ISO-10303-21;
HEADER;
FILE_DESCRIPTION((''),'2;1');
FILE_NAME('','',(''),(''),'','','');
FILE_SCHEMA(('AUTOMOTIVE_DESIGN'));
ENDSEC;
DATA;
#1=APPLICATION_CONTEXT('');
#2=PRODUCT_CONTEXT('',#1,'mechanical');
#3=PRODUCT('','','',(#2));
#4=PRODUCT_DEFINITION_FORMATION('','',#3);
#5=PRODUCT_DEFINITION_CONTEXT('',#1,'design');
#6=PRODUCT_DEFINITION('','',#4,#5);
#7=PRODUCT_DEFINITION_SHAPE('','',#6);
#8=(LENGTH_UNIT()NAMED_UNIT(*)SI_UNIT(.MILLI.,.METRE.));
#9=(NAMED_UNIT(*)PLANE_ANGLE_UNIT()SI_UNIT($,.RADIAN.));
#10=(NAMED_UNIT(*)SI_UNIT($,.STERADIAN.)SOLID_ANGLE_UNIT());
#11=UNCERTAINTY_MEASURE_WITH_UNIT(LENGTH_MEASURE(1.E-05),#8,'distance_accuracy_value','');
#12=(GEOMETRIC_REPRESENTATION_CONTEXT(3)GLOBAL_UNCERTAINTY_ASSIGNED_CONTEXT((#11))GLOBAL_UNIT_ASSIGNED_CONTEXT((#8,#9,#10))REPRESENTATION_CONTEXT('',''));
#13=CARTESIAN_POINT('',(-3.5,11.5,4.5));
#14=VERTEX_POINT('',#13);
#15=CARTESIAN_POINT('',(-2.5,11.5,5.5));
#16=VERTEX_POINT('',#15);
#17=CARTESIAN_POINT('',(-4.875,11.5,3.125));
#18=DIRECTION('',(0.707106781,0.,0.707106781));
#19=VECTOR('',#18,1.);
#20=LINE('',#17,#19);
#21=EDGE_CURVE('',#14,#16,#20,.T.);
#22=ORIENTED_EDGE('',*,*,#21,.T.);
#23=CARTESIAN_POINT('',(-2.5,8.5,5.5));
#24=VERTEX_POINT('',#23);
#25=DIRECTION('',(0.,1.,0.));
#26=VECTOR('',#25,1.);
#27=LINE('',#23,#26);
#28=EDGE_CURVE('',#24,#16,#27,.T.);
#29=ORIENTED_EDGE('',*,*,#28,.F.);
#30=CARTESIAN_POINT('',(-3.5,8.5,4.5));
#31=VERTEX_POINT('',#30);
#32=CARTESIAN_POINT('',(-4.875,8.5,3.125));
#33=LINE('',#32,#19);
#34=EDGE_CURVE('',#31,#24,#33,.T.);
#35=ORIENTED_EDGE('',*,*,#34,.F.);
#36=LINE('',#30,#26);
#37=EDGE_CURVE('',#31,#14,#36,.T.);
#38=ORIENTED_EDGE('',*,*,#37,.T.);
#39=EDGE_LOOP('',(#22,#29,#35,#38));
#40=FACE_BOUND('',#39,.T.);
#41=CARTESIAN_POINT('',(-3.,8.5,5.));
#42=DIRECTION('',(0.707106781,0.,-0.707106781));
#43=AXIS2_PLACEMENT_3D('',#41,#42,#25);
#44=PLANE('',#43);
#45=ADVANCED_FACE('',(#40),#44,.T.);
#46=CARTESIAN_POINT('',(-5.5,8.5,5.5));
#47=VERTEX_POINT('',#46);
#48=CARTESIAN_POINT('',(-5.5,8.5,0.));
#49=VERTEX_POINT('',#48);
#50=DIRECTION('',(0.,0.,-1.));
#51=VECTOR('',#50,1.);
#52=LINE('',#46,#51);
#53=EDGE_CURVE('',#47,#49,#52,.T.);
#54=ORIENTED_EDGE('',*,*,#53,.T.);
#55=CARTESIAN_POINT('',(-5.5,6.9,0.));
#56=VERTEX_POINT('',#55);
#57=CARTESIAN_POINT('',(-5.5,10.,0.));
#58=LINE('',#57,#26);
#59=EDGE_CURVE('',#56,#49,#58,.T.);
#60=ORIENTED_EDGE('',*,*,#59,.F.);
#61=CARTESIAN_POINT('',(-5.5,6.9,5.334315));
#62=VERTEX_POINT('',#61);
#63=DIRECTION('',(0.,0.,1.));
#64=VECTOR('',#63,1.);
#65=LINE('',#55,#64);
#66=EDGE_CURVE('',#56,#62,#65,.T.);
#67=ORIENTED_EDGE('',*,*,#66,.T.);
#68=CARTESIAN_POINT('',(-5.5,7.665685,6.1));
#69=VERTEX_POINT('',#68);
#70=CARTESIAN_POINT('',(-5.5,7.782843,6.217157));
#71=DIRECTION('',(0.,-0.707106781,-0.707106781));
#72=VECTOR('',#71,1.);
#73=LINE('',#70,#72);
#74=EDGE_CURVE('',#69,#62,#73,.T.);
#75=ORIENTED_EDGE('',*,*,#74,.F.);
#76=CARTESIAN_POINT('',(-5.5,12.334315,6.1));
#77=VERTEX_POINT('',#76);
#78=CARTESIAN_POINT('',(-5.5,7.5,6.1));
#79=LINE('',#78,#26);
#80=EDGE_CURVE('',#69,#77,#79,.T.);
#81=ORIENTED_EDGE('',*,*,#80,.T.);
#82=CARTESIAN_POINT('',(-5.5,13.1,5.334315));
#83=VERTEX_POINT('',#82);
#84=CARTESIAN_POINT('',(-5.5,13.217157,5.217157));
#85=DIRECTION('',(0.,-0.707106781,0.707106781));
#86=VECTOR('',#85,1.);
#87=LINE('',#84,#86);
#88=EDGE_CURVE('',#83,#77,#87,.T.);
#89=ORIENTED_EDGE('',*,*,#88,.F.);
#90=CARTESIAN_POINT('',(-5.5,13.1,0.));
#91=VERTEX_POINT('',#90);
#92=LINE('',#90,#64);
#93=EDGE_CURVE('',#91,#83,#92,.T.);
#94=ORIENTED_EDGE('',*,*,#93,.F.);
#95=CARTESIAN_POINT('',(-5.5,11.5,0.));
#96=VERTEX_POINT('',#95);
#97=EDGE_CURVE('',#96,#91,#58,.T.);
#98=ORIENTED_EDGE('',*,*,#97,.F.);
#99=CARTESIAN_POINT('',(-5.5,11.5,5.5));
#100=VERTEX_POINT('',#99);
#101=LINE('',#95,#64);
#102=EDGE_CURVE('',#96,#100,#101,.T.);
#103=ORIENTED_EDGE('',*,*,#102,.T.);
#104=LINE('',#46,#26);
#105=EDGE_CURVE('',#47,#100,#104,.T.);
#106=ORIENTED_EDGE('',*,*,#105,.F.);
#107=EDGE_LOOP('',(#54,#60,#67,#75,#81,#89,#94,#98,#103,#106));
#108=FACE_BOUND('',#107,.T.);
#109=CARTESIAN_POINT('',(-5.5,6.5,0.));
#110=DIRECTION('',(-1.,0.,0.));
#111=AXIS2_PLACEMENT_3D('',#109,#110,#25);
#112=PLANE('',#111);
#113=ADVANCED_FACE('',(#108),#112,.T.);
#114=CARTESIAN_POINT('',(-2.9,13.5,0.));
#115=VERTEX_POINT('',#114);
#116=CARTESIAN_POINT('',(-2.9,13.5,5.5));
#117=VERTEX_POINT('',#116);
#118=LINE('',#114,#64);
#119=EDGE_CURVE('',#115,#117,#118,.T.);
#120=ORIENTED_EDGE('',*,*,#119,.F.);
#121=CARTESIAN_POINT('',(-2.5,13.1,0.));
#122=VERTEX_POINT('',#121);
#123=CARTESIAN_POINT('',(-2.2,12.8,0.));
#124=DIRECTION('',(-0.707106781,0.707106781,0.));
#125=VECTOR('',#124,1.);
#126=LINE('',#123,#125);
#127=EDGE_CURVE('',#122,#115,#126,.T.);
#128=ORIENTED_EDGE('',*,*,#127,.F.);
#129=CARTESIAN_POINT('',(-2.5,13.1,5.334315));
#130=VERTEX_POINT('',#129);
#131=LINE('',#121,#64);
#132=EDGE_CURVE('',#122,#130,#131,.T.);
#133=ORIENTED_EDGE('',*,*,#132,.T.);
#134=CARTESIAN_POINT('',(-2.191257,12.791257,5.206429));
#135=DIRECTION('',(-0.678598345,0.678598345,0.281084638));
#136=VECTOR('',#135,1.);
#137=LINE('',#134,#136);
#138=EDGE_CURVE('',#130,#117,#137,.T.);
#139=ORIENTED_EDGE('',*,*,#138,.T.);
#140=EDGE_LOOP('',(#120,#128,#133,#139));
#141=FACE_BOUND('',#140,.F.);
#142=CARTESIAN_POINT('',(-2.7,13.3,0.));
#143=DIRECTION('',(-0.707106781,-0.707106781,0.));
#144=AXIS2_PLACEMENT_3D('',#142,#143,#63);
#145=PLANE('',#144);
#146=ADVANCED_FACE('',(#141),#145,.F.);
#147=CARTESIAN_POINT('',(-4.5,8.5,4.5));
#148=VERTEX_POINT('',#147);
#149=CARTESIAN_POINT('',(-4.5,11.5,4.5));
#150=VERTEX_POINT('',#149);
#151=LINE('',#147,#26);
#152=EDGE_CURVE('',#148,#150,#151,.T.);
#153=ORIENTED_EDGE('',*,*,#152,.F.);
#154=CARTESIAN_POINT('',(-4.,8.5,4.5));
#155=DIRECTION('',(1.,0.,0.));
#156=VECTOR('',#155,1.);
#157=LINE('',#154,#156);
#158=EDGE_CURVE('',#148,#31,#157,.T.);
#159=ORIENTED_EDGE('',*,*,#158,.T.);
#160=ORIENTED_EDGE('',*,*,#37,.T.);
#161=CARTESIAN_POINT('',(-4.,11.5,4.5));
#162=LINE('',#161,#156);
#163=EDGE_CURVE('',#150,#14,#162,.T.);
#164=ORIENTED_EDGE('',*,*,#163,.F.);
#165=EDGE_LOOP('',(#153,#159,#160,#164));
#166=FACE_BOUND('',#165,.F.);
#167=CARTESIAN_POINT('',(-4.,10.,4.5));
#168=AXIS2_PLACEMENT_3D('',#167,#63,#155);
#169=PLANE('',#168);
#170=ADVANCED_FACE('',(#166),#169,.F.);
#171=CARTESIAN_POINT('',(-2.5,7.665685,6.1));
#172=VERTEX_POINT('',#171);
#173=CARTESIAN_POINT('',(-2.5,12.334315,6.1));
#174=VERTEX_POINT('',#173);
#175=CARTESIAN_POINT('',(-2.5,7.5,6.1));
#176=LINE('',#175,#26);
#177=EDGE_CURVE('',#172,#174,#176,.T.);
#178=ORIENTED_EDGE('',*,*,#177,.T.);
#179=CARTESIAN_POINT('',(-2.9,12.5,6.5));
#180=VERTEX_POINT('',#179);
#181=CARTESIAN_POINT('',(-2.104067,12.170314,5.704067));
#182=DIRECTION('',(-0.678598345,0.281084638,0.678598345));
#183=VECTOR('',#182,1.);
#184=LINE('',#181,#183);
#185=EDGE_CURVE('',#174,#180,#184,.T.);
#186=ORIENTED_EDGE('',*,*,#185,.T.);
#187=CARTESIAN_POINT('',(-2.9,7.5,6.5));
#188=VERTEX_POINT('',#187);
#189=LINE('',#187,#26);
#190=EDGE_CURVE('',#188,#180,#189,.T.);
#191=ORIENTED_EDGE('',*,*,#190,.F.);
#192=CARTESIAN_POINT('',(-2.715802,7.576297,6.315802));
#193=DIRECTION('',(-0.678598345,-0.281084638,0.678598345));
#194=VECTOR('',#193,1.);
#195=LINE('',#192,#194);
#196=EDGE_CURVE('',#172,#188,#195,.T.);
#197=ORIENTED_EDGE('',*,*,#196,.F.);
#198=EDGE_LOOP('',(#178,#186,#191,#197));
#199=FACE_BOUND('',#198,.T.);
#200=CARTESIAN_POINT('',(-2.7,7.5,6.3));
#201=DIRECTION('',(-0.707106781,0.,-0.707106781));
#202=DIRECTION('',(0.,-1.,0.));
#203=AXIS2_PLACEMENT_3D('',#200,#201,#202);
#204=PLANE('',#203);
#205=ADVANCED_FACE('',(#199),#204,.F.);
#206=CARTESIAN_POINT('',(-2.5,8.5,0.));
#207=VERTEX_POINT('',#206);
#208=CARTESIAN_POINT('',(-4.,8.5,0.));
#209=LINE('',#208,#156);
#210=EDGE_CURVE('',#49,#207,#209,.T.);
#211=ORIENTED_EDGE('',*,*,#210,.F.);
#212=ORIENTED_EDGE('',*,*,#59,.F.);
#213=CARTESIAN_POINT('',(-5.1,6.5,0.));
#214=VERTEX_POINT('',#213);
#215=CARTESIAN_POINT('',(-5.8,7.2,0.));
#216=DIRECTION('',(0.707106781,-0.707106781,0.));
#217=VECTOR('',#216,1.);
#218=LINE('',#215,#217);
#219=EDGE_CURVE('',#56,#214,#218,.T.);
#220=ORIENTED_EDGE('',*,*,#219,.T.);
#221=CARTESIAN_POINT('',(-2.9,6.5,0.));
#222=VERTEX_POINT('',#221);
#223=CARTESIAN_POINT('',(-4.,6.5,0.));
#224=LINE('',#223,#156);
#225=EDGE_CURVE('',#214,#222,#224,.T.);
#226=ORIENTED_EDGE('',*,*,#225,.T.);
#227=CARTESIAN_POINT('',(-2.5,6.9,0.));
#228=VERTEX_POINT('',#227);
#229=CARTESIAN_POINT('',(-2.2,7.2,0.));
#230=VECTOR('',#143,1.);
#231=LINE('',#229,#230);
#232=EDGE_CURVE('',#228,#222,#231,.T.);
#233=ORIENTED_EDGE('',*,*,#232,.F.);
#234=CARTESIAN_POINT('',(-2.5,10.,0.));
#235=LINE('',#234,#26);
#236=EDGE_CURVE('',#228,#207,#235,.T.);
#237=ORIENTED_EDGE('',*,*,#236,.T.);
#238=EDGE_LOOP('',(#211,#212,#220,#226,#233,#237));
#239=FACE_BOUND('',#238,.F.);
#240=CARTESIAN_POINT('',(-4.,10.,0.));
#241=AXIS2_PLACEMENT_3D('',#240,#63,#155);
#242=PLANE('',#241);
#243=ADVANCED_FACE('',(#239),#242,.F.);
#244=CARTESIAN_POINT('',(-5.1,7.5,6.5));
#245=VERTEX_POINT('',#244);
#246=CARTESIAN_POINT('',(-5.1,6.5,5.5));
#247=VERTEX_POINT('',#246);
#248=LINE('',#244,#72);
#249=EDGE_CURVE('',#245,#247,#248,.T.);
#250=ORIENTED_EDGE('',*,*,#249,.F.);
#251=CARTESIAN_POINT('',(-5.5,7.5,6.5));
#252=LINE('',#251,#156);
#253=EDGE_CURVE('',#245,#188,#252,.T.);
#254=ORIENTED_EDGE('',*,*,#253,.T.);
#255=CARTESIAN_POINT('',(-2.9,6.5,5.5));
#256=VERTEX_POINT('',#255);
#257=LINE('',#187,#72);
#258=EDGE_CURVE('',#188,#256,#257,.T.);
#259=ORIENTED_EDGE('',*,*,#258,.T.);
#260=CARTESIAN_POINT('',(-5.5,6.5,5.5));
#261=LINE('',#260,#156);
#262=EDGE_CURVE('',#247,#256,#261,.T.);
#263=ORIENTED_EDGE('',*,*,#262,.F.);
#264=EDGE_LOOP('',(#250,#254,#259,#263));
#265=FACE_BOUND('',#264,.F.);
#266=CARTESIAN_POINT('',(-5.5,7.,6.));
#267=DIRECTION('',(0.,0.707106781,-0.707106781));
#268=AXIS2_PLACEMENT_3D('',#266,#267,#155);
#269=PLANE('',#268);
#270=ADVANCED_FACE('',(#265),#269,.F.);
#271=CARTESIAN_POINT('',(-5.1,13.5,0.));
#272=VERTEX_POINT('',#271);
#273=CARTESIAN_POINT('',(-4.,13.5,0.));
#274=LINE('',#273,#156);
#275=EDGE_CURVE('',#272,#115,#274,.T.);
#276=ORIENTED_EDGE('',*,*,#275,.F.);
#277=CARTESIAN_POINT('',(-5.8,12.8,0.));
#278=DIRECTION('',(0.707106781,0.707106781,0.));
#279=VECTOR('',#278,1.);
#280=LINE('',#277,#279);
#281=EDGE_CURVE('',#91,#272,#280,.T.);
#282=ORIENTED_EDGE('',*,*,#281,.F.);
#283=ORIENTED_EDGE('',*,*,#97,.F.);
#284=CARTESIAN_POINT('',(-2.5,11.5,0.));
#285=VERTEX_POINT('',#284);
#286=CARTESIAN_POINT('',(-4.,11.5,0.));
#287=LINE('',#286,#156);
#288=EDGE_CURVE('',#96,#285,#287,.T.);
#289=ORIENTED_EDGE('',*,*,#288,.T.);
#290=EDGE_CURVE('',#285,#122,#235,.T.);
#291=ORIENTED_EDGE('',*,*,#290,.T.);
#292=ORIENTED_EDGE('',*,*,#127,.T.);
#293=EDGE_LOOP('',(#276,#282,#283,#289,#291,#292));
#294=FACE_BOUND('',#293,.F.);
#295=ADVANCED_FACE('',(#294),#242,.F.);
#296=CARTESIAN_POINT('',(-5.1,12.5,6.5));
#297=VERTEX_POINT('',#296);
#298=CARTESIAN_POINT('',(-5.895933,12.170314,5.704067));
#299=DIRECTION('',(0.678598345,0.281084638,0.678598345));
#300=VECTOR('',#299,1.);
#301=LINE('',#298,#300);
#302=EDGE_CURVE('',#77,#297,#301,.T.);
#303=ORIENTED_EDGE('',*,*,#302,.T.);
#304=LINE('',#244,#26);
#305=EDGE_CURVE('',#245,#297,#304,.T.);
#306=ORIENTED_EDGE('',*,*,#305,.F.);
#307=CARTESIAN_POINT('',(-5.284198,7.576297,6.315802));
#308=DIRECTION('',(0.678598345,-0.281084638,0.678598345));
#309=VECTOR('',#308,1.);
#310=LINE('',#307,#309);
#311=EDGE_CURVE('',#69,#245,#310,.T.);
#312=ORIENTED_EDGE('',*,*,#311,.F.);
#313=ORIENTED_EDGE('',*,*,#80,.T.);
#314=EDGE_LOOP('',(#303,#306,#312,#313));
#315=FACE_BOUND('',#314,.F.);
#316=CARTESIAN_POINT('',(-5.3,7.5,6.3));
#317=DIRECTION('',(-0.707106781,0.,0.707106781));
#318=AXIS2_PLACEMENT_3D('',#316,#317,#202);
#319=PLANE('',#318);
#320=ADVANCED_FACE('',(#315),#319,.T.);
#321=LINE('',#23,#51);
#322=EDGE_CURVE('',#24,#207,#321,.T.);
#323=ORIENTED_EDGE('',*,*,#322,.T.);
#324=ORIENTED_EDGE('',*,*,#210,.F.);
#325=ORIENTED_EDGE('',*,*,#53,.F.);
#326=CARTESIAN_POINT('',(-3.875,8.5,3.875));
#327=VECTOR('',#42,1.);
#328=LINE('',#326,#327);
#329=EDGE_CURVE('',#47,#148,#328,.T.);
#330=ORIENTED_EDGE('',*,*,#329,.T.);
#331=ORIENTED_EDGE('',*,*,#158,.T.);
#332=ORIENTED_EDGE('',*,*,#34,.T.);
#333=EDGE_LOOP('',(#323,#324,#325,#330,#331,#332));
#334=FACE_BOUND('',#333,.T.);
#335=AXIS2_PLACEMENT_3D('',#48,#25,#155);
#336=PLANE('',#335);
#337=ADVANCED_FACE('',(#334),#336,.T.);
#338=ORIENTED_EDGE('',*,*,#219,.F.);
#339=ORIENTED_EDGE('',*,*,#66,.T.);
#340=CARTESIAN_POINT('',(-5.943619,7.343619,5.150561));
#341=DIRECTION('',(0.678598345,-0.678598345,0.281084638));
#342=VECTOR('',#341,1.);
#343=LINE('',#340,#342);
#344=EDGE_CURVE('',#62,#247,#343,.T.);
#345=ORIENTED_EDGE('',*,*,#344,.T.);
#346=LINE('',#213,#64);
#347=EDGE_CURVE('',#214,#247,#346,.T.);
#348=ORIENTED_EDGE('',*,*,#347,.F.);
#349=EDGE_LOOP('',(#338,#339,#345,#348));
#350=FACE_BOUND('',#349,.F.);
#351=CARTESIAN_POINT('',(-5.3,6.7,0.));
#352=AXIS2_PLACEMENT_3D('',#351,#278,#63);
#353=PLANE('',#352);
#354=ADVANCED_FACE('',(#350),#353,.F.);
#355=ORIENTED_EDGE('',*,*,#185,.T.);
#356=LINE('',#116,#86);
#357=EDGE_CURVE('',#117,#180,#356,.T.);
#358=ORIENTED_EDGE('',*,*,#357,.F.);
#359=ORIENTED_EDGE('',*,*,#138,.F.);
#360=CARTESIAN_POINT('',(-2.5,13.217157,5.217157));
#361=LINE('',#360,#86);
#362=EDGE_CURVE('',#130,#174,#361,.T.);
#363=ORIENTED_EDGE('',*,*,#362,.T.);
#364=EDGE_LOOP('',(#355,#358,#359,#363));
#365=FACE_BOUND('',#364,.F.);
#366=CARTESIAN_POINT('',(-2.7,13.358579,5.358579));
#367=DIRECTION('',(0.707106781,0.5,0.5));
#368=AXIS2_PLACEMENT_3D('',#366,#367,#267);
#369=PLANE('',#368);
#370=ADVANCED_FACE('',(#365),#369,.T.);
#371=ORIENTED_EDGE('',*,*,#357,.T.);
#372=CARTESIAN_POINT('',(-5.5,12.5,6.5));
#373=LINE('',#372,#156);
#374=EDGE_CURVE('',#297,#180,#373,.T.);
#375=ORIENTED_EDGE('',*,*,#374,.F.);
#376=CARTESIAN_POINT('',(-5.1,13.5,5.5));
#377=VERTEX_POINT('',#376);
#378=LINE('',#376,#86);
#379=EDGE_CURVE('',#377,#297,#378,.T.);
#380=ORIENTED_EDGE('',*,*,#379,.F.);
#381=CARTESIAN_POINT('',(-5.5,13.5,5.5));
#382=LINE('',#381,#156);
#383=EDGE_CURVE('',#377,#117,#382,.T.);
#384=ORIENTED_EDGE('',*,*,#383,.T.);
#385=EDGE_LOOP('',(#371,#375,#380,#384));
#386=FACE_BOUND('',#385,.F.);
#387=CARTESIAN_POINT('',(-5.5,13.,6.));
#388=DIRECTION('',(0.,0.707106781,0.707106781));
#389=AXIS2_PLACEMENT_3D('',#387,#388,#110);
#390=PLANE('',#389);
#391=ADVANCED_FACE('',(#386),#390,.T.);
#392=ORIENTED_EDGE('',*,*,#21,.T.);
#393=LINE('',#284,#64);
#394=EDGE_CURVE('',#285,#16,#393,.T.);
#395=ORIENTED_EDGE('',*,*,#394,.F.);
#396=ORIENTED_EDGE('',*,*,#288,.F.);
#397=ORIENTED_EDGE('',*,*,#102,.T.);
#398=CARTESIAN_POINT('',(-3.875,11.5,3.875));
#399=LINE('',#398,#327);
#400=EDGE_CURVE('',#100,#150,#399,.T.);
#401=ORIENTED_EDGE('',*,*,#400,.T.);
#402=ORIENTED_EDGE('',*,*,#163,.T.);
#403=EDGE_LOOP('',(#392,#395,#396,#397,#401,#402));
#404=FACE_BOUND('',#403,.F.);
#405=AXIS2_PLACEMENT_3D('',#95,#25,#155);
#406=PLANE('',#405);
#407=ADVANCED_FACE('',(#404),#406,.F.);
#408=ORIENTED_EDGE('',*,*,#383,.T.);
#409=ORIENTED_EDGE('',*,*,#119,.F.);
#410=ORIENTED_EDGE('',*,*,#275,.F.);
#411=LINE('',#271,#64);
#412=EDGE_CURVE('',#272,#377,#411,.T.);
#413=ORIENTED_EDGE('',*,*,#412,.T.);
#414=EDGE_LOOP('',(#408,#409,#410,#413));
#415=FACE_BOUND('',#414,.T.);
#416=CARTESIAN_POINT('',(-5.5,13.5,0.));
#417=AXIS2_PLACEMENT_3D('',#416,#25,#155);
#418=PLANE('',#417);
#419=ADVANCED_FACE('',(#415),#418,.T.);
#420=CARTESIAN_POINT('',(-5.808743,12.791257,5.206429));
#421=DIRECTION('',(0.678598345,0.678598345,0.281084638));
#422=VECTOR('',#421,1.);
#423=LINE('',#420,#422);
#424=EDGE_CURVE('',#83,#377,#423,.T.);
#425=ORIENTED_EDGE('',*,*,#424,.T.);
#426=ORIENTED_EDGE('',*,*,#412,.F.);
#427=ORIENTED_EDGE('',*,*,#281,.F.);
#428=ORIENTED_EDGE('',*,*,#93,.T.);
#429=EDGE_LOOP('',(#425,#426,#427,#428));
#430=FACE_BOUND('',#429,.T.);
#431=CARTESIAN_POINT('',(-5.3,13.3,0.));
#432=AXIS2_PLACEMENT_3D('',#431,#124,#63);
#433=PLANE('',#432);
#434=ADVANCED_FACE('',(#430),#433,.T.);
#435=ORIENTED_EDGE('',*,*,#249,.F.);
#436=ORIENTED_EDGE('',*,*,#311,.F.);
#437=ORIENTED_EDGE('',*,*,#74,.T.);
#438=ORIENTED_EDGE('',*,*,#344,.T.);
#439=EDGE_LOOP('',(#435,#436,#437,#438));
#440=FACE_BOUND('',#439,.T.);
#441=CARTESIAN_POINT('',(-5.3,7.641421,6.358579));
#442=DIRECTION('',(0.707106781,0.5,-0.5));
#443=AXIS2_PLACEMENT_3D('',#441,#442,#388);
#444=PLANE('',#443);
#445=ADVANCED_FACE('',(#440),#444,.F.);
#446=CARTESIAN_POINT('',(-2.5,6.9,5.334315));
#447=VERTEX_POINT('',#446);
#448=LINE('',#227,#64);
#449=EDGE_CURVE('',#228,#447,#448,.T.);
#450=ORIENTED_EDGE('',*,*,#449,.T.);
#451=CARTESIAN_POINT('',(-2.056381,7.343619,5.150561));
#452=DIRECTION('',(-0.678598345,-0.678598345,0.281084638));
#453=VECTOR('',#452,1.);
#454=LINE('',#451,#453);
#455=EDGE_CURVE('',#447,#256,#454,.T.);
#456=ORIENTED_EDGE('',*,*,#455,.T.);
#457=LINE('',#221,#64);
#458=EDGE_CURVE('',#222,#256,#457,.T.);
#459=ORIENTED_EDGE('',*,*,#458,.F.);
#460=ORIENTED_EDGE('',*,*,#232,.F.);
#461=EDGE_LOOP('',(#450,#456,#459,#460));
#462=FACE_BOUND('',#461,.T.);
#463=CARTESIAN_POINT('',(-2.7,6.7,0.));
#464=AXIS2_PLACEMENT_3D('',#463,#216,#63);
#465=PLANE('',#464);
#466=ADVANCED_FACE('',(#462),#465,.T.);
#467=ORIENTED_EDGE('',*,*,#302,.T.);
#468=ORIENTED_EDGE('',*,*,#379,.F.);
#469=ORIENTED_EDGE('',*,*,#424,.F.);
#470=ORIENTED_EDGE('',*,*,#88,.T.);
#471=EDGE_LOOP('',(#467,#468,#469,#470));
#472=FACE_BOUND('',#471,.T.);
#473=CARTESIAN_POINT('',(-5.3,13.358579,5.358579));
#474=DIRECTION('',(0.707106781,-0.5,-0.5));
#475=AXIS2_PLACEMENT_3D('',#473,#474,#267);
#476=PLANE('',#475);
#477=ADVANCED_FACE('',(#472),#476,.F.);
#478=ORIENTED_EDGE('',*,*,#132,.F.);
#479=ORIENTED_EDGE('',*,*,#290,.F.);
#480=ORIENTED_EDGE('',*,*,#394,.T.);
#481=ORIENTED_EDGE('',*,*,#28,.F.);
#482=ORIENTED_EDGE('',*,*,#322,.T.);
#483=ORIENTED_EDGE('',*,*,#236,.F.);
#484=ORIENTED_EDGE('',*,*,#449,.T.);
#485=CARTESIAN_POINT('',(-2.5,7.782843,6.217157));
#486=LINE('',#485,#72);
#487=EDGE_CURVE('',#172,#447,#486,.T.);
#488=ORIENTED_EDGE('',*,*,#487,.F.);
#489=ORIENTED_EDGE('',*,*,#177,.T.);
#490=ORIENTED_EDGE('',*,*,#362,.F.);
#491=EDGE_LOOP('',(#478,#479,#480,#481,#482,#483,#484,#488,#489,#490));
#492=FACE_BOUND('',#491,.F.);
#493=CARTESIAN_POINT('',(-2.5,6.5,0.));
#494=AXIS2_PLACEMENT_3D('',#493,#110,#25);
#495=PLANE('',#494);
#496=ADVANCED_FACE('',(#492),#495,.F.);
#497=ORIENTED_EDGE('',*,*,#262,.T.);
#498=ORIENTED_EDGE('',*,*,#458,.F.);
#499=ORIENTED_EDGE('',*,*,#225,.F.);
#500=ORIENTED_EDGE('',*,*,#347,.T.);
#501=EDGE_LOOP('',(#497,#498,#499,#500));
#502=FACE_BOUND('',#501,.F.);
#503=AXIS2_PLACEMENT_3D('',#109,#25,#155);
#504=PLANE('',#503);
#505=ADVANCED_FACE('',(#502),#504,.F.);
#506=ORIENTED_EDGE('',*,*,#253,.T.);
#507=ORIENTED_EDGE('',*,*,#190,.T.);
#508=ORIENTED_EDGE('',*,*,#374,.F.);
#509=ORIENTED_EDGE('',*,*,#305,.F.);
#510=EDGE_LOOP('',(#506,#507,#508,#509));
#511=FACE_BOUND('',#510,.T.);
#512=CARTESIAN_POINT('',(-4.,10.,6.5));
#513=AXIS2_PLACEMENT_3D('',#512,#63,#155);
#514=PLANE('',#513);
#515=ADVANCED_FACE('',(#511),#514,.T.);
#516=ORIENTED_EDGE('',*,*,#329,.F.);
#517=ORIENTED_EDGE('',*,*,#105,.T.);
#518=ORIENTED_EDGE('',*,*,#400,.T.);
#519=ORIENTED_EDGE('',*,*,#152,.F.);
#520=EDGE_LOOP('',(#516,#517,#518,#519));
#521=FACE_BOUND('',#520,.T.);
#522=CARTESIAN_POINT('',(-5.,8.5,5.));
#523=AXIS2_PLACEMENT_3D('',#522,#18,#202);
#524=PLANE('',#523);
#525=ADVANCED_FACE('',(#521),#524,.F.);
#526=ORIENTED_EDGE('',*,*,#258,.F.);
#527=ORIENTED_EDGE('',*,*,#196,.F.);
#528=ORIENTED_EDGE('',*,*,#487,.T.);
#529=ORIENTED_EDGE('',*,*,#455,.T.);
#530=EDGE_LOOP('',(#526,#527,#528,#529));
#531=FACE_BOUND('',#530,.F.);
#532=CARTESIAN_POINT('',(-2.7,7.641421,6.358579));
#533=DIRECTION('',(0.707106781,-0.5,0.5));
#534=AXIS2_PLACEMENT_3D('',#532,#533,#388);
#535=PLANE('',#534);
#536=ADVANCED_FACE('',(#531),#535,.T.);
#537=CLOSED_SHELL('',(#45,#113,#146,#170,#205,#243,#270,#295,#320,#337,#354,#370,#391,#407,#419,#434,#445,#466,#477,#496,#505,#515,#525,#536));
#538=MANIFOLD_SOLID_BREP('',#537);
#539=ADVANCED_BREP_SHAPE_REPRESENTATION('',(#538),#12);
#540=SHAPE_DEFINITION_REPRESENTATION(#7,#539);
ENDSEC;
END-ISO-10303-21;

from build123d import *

# Parameters (mm, degrees)
BOX003_W        = 3
BOX003_H        = 3
BOX003_DEPTH    = 4.5
BOX002_W        = 3
BOX002_H        = 7
BOX002_DEPTH    = 6.5
CHAMFER005_SIZE = 1
CHAMFER006_SIZE = 1
CHAMFER007_SIZE = 0.4


with BuildPart() as cube003:
    # Box003 → Box003 (new body)
    with BuildSketch(Plane(origin=(-1.5, -1.5, 0), x_dir=(1, 0, 0), z_dir=(0, 0, 1))):
        with Locations((1.5, 1.5)):
            Rectangle(BOX003_W, BOX003_H)
    extrude(amount=BOX003_DEPTH)


with BuildPart() as ziptie_slot001:
    # Box002 → Box002 (new body)
    with BuildSketch(Plane(origin=(-1.5, -3.5, 0), x_dir=(1, 0, 0), z_dir=(0, 0, 1))):
        with Locations((1.5, 3.5)):
            Rectangle(BOX002_W, BOX002_H)
    extrude(amount=BOX002_DEPTH)

    # Cut002: cut Cube003
    add(cube003.part, mode=Mode.SUBTRACT)

    # Chamfer005
    chamfer005_edges = [ziptie_slot001.edges().sort_by_distance(p)[0] for p in [
        (0, 3.5, 6.5),
        (0, -3.5, 6.5),
    ]]
    chamfer(chamfer005_edges, length=CHAMFER005_SIZE)

    # Chamfer006
    chamfer006_edges = [ziptie_slot001.edges().sort_by_distance(p)[0] for p in [
        (-1.5, 0, 4.5),
        (1.5, 0, 4.5),
    ]]
    chamfer(chamfer006_edges, length=CHAMFER006_SIZE)

    # Chamfer007
    chamfer007_edges = [ziptie_slot001.edges().sort_by_distance(p)[0] for p in [
        (-1.5, 3.5, 2.75),
        (-1.5, 3, 6),
        (-1.5, 0, 6.5),
        (-1.5, -3, 6),
        (-1.5, -3.5, 2.75),
        (1.5, -3.5, 2.75),
        (1.5, -3, 6),
        (1.5, 0, 6.5),
        (1.5, 3.5, 2.75),
        (1.5, 3, 6),
    ]]
    chamfer(chamfer007_edges, length=CHAMFER007_SIZE)


with BuildPart() as ziptie_slot001_1:
    # Chamfer007001 placement: moved
    add(ziptie_slot001.part.moved(Location((-4, 10, 0))))


solid = ziptie_slot001_1.part
